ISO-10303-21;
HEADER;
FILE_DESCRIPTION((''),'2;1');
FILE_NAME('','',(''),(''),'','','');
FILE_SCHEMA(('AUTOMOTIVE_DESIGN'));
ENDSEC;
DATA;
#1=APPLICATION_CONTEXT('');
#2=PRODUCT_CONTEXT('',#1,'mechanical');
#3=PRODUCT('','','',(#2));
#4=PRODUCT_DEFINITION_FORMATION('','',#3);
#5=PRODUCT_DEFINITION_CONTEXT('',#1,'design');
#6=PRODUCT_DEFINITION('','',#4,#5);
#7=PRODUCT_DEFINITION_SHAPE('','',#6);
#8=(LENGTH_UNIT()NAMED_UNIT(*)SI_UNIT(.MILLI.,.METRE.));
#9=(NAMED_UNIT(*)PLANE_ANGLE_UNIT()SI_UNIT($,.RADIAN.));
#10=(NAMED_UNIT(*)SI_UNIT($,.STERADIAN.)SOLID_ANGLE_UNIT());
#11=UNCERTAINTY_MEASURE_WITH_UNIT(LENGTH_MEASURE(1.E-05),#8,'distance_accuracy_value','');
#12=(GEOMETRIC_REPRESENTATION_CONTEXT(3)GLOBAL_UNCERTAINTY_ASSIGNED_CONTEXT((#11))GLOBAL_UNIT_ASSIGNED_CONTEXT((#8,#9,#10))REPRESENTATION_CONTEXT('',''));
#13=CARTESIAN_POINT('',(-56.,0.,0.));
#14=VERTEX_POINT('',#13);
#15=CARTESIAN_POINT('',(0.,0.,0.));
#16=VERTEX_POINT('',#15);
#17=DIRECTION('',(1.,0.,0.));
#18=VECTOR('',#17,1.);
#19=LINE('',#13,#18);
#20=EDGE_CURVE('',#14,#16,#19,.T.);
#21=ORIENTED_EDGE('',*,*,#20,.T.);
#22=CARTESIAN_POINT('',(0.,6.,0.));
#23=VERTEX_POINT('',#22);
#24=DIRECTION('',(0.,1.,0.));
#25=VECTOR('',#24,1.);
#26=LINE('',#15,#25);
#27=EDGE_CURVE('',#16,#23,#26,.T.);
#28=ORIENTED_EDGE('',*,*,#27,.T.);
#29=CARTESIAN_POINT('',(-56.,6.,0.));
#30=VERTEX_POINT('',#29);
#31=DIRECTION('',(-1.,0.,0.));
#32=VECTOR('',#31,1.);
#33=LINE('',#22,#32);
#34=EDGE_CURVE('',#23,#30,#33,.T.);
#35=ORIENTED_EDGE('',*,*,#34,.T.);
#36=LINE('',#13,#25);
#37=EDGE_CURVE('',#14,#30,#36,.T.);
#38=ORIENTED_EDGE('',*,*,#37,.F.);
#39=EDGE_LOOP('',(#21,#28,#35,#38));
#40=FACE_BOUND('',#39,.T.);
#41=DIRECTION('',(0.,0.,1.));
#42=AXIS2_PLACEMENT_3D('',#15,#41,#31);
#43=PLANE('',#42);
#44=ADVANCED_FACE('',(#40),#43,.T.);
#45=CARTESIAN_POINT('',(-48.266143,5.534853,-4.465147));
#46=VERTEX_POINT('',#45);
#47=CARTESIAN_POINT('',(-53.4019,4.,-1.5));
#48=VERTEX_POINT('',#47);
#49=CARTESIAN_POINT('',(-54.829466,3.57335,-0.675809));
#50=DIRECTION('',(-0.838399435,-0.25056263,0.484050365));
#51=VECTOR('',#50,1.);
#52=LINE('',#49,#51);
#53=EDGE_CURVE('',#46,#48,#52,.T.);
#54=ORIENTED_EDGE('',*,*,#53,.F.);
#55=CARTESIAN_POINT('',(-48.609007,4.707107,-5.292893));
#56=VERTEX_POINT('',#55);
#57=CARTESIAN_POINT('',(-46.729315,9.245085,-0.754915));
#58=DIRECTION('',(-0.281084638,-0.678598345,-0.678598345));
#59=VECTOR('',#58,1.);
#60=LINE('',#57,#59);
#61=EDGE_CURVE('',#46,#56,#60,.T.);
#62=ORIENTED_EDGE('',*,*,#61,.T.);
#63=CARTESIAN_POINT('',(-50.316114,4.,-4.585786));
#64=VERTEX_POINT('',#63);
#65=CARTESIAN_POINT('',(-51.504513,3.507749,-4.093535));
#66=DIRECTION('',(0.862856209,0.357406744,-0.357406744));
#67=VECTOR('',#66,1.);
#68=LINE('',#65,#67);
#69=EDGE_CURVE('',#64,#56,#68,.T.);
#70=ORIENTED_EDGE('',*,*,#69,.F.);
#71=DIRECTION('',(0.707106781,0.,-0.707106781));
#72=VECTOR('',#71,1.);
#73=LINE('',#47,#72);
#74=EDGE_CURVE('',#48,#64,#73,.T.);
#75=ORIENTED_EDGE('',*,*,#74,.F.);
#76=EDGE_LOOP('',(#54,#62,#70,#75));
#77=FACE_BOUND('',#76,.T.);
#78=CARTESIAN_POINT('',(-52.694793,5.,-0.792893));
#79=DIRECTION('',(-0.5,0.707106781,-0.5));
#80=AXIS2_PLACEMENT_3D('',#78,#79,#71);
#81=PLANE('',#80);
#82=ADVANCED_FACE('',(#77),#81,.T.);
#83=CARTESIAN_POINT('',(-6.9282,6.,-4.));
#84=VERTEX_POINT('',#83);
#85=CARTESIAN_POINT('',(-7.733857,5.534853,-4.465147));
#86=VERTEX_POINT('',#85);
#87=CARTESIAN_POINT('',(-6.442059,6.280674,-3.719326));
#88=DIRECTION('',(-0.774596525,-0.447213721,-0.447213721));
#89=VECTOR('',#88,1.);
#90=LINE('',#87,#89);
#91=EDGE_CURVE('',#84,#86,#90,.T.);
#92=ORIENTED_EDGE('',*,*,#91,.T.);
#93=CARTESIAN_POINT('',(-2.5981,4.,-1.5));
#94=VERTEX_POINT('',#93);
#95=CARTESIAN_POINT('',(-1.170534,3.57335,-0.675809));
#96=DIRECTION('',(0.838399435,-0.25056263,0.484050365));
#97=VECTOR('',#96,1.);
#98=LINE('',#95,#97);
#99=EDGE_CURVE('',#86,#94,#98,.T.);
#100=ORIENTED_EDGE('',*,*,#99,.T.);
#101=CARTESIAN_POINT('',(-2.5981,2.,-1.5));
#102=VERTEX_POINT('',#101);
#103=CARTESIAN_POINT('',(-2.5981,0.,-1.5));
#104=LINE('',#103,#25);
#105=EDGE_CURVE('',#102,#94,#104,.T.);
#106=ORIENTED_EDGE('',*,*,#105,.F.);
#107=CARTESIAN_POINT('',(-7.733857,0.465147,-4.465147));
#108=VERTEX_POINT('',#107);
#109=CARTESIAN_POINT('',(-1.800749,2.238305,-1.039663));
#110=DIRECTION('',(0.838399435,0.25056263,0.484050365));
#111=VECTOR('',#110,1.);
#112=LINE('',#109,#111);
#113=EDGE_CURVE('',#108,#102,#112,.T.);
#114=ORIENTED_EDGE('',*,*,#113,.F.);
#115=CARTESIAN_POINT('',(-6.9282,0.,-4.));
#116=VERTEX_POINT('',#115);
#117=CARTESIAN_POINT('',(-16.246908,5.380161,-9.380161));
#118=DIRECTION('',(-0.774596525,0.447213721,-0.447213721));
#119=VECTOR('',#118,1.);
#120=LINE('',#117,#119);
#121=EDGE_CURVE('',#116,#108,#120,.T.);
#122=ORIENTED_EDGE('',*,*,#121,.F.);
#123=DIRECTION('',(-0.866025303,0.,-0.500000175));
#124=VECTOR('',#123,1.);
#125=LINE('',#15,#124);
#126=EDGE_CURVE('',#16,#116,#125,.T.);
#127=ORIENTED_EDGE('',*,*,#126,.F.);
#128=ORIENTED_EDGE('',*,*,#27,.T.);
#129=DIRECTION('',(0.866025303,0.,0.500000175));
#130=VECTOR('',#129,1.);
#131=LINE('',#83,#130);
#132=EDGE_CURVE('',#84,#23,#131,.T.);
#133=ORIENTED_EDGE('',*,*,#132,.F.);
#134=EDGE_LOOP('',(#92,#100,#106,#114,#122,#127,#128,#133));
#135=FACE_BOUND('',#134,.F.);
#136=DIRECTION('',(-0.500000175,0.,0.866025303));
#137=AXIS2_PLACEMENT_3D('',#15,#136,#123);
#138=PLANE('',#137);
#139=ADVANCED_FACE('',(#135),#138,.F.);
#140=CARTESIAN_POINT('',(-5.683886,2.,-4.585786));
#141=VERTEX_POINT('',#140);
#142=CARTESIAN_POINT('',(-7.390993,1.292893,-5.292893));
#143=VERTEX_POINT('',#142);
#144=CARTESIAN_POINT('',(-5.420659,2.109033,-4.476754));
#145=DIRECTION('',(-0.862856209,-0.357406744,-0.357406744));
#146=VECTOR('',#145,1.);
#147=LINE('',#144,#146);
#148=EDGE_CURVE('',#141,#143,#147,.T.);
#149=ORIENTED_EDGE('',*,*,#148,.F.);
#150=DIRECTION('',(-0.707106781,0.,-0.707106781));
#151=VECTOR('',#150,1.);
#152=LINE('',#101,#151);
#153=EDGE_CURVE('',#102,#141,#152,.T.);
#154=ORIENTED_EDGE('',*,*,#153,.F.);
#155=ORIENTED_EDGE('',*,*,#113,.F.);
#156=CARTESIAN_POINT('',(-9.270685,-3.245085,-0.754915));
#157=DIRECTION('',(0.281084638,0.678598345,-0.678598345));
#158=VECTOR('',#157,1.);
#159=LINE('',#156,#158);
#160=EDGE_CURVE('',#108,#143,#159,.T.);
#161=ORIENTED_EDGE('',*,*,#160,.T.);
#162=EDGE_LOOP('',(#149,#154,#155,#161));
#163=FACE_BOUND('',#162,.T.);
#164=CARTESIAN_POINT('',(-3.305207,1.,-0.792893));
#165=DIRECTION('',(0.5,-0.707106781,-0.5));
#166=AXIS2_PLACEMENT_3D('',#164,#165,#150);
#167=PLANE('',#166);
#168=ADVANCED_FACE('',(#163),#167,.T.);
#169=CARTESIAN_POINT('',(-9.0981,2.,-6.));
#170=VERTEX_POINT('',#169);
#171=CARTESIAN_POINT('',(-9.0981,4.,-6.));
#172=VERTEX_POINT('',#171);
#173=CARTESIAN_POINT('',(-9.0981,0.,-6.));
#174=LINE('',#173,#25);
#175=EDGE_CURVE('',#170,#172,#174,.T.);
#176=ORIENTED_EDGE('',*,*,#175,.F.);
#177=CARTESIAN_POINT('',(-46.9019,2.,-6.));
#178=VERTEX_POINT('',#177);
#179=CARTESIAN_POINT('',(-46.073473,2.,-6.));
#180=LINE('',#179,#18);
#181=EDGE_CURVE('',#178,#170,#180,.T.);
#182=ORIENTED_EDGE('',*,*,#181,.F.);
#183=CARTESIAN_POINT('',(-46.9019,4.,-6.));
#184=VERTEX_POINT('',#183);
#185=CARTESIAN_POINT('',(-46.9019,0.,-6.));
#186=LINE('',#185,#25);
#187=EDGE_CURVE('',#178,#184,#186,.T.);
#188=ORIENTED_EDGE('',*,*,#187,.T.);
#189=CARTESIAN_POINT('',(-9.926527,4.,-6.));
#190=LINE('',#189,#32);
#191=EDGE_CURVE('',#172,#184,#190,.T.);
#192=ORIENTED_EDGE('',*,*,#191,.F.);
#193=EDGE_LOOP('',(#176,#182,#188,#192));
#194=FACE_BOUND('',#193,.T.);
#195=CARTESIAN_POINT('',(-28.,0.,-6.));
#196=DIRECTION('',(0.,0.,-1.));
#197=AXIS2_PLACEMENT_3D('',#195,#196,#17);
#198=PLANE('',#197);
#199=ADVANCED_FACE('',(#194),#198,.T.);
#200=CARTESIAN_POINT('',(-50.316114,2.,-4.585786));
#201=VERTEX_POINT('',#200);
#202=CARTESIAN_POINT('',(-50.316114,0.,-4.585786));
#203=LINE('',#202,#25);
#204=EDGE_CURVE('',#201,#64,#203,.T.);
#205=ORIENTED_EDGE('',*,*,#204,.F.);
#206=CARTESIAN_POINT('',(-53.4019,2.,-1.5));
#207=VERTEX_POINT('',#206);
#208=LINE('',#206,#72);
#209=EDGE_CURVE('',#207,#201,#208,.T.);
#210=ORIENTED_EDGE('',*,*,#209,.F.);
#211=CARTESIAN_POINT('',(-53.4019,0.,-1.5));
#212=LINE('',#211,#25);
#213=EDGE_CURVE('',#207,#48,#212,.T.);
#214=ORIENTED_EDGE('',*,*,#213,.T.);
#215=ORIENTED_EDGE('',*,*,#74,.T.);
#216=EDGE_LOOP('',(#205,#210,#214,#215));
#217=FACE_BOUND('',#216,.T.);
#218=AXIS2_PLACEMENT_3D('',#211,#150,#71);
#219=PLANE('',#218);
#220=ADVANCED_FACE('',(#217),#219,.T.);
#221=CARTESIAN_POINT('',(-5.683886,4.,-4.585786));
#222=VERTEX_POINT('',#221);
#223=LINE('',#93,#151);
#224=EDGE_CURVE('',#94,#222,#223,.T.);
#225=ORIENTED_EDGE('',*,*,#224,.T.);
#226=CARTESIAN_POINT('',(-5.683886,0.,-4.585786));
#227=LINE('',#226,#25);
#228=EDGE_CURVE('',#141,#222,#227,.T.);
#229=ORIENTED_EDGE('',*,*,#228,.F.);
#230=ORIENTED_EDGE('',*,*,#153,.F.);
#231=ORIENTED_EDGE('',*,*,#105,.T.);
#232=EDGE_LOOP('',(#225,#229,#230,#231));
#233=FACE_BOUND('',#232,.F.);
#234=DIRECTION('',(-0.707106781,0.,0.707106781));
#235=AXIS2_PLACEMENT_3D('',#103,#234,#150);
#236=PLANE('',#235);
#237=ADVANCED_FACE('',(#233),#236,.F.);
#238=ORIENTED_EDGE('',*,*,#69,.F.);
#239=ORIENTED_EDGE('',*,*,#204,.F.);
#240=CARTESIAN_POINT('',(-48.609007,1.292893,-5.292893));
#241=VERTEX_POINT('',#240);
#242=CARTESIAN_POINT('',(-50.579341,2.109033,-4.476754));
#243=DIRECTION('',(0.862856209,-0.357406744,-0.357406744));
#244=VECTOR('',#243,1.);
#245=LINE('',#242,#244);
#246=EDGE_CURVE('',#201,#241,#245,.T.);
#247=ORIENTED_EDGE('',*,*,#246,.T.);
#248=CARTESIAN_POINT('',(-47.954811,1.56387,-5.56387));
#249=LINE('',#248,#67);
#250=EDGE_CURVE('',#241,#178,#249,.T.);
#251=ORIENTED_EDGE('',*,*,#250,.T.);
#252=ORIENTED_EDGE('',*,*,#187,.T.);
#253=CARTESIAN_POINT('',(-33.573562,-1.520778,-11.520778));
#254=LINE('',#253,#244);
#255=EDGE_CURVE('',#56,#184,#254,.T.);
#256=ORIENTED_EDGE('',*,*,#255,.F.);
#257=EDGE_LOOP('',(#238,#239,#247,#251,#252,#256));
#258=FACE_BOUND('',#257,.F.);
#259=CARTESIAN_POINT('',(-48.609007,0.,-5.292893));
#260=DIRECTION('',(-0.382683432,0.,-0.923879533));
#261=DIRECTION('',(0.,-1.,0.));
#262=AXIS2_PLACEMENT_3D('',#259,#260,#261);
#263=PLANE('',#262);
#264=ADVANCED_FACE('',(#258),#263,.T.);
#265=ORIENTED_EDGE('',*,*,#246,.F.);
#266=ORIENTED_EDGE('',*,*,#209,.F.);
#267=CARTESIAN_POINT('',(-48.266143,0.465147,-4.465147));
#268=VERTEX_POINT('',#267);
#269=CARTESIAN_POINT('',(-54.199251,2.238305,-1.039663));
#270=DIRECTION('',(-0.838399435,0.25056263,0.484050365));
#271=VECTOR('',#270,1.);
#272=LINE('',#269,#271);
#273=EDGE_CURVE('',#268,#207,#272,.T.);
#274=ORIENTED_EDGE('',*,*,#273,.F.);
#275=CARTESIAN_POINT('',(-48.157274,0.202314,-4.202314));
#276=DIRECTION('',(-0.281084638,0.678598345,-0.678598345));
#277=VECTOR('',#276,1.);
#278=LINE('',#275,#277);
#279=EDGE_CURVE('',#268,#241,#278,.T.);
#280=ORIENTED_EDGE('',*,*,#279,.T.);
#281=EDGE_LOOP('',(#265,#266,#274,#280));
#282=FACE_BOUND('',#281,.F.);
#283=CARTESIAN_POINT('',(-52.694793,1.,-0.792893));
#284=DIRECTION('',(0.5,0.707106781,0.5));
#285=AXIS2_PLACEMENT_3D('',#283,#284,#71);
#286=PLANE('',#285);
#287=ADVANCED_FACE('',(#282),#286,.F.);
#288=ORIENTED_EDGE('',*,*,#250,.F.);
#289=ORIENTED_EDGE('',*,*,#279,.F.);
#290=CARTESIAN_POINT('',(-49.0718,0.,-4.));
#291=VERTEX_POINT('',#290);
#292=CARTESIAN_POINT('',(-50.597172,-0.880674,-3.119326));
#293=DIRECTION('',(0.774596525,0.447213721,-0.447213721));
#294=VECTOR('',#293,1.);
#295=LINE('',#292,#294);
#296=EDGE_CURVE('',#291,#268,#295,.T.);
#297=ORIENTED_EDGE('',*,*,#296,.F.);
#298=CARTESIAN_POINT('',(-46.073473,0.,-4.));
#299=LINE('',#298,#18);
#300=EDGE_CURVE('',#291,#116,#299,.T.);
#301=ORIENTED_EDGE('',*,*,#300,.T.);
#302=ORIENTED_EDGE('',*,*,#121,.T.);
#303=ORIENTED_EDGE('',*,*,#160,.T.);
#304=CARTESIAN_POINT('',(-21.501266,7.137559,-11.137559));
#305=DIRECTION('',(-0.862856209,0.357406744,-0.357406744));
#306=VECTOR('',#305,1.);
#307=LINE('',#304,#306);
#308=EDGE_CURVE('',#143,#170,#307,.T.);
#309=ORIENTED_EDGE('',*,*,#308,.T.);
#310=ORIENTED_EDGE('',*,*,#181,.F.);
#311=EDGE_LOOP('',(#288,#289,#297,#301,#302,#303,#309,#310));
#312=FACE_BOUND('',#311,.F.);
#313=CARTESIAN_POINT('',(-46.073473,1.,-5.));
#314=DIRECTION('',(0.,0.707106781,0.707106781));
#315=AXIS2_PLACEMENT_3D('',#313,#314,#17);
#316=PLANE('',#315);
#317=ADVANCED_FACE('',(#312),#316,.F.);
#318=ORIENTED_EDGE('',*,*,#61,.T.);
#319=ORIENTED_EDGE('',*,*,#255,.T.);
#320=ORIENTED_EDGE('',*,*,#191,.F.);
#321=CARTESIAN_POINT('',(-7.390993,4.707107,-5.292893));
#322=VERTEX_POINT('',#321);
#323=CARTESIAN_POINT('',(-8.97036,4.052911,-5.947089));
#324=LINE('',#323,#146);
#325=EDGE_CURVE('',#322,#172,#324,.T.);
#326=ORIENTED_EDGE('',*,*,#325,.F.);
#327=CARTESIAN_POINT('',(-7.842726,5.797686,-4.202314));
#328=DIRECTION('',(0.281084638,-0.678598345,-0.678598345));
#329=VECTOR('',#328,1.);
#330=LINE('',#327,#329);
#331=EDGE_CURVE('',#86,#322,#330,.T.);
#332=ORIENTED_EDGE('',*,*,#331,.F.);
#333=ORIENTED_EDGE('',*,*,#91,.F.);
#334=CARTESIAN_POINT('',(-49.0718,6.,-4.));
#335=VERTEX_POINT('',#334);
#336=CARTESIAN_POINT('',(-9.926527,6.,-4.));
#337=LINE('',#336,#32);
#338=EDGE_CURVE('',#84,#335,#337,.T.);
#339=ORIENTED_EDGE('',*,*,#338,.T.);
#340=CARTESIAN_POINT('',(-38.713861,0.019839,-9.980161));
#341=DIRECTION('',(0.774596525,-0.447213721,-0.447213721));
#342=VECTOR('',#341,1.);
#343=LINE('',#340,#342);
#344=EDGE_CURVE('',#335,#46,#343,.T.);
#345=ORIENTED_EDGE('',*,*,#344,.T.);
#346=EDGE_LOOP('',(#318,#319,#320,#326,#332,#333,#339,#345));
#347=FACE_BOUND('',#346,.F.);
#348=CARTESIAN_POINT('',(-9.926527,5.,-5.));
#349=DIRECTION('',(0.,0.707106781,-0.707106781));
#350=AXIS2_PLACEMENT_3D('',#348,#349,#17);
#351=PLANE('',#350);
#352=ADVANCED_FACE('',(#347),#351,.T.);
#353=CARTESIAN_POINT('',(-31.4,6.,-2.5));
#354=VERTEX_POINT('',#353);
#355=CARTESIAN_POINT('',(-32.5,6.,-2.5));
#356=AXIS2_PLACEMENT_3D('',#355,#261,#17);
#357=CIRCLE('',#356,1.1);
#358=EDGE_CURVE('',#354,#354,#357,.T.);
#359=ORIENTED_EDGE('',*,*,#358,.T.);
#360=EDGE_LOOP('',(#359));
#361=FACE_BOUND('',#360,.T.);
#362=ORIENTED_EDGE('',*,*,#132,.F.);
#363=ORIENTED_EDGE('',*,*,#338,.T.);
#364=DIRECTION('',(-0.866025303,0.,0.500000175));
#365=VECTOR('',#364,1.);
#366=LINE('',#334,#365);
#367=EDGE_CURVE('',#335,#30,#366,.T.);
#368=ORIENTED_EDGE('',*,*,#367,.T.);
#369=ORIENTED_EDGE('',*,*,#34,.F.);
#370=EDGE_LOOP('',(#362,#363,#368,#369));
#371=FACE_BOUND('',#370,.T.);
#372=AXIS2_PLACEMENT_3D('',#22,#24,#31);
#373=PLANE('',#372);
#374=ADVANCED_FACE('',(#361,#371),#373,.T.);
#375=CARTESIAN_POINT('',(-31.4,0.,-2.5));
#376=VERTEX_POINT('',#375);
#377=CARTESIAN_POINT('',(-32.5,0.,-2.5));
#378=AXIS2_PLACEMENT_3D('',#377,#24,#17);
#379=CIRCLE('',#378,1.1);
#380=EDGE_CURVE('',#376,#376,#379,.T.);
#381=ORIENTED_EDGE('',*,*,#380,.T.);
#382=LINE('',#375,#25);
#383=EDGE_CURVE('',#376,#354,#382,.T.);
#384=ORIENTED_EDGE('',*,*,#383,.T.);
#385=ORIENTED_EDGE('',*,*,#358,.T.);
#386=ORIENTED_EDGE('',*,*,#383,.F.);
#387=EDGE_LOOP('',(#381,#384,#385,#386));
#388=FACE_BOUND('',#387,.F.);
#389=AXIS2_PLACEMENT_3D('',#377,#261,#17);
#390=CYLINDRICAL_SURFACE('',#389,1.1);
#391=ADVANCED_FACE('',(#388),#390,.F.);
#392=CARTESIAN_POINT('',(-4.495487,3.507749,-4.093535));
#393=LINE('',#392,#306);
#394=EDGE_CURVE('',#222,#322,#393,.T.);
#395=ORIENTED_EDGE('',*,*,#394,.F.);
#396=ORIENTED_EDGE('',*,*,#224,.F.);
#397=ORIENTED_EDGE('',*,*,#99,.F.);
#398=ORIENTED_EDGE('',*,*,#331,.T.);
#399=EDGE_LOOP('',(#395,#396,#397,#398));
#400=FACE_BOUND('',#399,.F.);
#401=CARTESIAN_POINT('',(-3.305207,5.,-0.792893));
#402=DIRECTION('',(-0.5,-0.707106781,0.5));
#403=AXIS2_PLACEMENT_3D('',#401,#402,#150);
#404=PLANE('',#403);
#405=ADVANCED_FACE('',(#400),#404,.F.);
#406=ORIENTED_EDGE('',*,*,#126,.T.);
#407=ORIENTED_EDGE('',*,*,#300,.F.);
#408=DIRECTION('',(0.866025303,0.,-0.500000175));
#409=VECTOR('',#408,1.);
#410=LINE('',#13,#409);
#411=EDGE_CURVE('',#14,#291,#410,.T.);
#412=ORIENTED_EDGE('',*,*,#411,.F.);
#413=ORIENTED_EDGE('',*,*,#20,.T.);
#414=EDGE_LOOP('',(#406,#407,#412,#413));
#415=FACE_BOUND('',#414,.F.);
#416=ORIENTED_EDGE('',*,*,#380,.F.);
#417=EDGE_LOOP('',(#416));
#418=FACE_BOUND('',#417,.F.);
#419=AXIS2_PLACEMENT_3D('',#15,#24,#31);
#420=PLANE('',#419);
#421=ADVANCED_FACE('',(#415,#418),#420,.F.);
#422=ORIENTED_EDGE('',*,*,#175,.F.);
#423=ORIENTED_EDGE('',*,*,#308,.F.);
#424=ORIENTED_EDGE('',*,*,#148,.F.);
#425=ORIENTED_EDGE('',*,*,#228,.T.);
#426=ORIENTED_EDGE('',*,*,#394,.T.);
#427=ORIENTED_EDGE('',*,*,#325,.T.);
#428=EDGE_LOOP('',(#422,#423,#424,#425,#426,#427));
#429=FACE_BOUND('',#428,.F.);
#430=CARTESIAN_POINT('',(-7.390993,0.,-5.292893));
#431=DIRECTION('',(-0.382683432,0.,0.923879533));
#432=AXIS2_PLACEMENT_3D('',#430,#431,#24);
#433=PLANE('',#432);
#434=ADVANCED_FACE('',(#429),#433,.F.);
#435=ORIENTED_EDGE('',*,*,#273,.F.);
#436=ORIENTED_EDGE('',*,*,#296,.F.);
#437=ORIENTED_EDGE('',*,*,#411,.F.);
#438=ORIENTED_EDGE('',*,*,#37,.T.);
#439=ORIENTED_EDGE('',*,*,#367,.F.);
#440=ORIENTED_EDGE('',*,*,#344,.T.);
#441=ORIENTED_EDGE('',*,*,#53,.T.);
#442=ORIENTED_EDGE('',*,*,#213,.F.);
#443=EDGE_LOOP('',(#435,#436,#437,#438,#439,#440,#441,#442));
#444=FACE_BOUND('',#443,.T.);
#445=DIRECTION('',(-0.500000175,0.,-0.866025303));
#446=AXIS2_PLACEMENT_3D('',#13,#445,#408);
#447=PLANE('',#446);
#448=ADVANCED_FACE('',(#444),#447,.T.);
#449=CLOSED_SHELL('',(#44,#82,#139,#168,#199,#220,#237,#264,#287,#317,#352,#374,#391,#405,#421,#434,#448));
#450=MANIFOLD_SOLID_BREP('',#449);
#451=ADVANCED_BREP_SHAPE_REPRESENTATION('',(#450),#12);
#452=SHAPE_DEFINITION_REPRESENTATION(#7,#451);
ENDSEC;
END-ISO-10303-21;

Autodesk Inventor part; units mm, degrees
ref_plane "YZ Plane" through (0, 0, 0) normal (1, 0, 0) x (0, 1, 0)
ref_plane "XZ Plane" through (0, 0, 0) normal (0, 1, 0) x (-1, 0, 0)
ref_plane "XY Plane" through (0, 0, 0) normal (0, 0, 1) x (1, 0, 0)
sketch "Sketch1" plane through (0, 0, 0) normal (0, 1, 0) x (-1, 0, 0)
  line L0 (0, 0) -> (56, 0)
  line L1 (56, 0) -> (54.5, 0)
  line L2 (56, 0) -> (21.359, -20)
  line L3 (56, 0) -> (96, 0) construction
  line L4 (28, 0) -> (28, 5.9969)
  line L5 (0, 0) -> (34.641, -20)
  line L6 (28, 0) -> (28, -6)
  line L7 (28, -6) -> (78, -6)
  line L8 (28, -6) -> (-22, -6)
  line L9 (56, 0) -> (53.4019, -1.5)
  line L10 (53.4019, -1.5) -> (39.2598, -15.6421)
  line L11 (53.4019, -1.5) -> (73.4019, -1.5) construction
  line L12 (2.5981, -1.5) -> (16.7402, -15.6421)
  point P0 (48.9019, -6)
  point P1 (7.0981, -6)
  dimension "d0" = 56
  dimension "d3" = 40
  dimension "d4" = 150
  dimension "d5" = 6
  dimension "d6" = 50
  dimension "d7" = 50
  dimension "d8" = 3
  dimension "d9" = 20
  dimension "d10" = 135
extrude "Extrusion1" add sketch "Sketch1" along normal blind 6 contours L0 L6 L8 L5 | L0 L2 L7 L6 | L5 L8 L12 | L2 L10 L7
chamfer "Chamfer1" distance 2 angle 45 6 edges at (-48.9019, 3, -6) (-51.1519, 6, -3.75) (-51.1519, 0, -3.75) (-4.8481, 0, -3.75) (-7.0981, 3, -6) (-4.8481, 6, -3.75)
chamfer "Chamfer2" distance 2 angle 45 2 edges at (-37.0367, 0, -6) (-37.0367, 6, -6)
sketch "Sketch3" plane through (0, 0, 0) normal (0, -1, 0) x (1, 0, 0)
  line L0 (-49.0718, -4) -> (-56, 0) projected
  line L1 (-56, 0) -> (-32.5, 0)
  line L2 (-56, 0) -> (0, 0) projected
  line L3 (-32.5, 0) -> (-32.5, -2.5)
  line L4 (-6.9282, -4) -> (-49.0718, -4) projected
  circle A0 centre (-32.5, -2.5) radius 1.1
  dimension "d25" = 23.5
  dimension "d26" = 2.5
  dimension "d27" = 2.2
extrude "Extrusion3" cut sketch "Sketch3" against normal blind 50
properties part number "parallel_bar_long_hole_v1"
